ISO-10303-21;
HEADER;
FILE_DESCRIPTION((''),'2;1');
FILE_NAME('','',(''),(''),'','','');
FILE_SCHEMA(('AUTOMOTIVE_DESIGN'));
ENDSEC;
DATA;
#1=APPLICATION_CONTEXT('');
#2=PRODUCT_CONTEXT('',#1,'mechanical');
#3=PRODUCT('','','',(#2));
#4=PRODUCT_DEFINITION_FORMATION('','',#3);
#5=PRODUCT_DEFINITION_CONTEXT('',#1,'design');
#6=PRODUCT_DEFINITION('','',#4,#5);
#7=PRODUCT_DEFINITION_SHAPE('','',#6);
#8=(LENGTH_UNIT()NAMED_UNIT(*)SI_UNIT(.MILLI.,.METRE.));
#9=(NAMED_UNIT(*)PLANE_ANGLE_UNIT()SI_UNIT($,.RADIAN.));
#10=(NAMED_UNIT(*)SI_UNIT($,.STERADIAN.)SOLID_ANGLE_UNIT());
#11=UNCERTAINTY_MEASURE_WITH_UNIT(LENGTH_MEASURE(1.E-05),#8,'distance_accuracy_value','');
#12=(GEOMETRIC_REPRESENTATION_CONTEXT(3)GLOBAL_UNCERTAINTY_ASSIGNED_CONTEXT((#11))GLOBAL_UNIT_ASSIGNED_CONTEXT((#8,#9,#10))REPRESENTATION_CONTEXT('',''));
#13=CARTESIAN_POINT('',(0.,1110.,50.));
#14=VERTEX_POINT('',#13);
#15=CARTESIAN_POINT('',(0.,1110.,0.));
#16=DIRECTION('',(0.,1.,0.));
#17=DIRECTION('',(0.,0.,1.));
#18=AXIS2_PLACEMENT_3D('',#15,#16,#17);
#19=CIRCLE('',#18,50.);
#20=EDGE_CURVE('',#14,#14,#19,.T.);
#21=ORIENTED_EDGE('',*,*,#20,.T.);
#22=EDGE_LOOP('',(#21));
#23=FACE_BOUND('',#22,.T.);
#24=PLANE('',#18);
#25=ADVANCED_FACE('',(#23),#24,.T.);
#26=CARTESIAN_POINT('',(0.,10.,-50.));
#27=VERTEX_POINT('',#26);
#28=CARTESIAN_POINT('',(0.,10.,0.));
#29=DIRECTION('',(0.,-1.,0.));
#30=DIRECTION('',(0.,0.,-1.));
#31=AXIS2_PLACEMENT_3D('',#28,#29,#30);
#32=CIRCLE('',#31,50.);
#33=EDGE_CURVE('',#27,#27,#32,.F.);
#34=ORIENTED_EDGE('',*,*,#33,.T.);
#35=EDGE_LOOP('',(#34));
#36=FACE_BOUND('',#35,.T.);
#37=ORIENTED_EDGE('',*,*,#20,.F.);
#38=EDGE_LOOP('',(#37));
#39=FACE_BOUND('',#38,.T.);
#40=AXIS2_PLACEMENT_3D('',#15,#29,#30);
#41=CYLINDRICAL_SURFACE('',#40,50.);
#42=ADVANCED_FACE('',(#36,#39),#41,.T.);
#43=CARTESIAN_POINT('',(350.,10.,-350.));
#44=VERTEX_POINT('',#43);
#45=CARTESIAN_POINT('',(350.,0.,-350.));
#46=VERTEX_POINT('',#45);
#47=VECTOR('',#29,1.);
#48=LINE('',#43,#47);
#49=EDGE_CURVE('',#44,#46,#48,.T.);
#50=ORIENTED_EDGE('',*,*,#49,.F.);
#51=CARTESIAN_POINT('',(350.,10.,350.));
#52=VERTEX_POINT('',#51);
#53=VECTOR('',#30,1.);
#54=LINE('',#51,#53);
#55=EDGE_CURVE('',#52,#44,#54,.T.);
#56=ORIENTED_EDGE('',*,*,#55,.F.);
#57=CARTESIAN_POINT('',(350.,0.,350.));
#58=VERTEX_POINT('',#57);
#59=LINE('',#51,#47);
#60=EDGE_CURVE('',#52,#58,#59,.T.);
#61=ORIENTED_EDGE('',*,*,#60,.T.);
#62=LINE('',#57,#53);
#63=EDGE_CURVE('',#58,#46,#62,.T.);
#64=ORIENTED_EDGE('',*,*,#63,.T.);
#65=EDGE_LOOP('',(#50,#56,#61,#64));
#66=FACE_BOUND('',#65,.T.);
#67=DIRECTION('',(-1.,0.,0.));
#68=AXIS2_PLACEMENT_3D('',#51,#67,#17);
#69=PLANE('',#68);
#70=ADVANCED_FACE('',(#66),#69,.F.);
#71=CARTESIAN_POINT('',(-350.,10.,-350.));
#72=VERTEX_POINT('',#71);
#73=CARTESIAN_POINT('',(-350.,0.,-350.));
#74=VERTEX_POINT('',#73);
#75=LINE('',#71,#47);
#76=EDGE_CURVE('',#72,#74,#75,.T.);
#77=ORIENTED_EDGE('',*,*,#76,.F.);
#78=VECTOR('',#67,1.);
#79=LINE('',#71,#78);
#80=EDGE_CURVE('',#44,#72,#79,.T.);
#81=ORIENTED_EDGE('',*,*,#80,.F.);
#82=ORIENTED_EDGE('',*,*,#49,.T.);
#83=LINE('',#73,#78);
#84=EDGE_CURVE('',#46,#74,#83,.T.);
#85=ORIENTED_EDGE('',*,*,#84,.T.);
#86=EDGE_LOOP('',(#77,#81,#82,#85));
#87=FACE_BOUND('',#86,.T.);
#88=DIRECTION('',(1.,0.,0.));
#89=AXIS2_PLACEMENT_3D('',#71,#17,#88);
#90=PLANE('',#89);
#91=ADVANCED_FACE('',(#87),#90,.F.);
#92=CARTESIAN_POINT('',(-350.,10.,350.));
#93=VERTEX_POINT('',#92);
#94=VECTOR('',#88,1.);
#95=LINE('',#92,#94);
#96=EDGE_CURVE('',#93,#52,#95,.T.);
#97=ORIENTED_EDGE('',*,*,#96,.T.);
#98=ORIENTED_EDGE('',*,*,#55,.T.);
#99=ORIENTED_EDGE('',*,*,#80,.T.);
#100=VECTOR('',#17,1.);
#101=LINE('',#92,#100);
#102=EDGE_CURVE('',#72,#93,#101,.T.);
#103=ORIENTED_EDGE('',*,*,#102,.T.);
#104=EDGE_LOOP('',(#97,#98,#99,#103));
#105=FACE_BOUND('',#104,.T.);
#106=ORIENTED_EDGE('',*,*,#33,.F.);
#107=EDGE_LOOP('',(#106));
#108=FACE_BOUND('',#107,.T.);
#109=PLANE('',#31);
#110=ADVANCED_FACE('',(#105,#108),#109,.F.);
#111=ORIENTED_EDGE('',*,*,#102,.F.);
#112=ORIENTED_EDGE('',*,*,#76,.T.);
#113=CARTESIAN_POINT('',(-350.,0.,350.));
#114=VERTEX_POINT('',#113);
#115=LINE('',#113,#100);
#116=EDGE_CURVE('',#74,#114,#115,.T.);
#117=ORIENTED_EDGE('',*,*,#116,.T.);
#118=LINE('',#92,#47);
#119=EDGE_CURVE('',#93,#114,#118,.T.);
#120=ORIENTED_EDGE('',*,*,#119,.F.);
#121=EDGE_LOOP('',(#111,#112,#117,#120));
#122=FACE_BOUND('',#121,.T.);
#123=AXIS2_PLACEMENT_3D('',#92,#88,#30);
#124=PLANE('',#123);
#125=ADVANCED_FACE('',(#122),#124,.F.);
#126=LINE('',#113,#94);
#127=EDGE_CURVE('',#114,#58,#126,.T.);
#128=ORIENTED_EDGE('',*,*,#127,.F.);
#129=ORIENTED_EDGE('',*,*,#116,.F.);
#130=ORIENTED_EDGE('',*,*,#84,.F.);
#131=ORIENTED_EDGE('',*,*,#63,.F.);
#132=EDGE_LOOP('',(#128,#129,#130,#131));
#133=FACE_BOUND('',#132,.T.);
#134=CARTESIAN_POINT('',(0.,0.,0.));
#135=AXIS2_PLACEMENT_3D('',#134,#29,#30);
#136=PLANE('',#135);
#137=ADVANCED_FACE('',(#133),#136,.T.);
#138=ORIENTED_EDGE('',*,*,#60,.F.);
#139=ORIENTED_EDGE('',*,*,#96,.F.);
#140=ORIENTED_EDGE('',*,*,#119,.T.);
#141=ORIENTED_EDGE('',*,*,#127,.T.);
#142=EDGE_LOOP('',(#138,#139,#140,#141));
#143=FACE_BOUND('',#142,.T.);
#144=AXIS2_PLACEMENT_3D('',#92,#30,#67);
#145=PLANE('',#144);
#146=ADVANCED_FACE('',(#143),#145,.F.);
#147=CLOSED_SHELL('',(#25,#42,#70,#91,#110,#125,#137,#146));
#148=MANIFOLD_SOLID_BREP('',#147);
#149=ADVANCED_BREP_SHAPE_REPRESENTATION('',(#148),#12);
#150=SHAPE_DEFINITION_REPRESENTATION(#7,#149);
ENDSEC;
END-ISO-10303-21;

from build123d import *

# Parameters (mm, degrees)
SKETCH1_W           = 700
SKETCH1_H           = 700
BOSS_EXTRUDE1_DEPTH = 10
SKETCH3_R           = 50
BOSS_EXTRUDE2_DEPTH = 1100


with BuildPart() as part:
    # Sketch1 → Boss-Extrude1 (new body)
    with BuildSketch(Plane(origin=(0, 0, 0), x_dir=(1, 0, 0), z_dir=(0, 1, 0))):
        Rectangle(SKETCH1_W, SKETCH1_H)
    extrude(amount=BOSS_EXTRUDE1_DEPTH)

    # Sketch3 → Boss-Extrude2 (add)
    with BuildSketch(Plane(origin=(0, 10, 0), x_dir=(1, 0, 0), z_dir=(0, 1, 0))):
        with Locations(Location((0, 0, 0), (0, 0, 90))):
            Circle(SKETCH3_R)
    extrude(amount=BOSS_EXTRUDE2_DEPTH)


solid = part.part
